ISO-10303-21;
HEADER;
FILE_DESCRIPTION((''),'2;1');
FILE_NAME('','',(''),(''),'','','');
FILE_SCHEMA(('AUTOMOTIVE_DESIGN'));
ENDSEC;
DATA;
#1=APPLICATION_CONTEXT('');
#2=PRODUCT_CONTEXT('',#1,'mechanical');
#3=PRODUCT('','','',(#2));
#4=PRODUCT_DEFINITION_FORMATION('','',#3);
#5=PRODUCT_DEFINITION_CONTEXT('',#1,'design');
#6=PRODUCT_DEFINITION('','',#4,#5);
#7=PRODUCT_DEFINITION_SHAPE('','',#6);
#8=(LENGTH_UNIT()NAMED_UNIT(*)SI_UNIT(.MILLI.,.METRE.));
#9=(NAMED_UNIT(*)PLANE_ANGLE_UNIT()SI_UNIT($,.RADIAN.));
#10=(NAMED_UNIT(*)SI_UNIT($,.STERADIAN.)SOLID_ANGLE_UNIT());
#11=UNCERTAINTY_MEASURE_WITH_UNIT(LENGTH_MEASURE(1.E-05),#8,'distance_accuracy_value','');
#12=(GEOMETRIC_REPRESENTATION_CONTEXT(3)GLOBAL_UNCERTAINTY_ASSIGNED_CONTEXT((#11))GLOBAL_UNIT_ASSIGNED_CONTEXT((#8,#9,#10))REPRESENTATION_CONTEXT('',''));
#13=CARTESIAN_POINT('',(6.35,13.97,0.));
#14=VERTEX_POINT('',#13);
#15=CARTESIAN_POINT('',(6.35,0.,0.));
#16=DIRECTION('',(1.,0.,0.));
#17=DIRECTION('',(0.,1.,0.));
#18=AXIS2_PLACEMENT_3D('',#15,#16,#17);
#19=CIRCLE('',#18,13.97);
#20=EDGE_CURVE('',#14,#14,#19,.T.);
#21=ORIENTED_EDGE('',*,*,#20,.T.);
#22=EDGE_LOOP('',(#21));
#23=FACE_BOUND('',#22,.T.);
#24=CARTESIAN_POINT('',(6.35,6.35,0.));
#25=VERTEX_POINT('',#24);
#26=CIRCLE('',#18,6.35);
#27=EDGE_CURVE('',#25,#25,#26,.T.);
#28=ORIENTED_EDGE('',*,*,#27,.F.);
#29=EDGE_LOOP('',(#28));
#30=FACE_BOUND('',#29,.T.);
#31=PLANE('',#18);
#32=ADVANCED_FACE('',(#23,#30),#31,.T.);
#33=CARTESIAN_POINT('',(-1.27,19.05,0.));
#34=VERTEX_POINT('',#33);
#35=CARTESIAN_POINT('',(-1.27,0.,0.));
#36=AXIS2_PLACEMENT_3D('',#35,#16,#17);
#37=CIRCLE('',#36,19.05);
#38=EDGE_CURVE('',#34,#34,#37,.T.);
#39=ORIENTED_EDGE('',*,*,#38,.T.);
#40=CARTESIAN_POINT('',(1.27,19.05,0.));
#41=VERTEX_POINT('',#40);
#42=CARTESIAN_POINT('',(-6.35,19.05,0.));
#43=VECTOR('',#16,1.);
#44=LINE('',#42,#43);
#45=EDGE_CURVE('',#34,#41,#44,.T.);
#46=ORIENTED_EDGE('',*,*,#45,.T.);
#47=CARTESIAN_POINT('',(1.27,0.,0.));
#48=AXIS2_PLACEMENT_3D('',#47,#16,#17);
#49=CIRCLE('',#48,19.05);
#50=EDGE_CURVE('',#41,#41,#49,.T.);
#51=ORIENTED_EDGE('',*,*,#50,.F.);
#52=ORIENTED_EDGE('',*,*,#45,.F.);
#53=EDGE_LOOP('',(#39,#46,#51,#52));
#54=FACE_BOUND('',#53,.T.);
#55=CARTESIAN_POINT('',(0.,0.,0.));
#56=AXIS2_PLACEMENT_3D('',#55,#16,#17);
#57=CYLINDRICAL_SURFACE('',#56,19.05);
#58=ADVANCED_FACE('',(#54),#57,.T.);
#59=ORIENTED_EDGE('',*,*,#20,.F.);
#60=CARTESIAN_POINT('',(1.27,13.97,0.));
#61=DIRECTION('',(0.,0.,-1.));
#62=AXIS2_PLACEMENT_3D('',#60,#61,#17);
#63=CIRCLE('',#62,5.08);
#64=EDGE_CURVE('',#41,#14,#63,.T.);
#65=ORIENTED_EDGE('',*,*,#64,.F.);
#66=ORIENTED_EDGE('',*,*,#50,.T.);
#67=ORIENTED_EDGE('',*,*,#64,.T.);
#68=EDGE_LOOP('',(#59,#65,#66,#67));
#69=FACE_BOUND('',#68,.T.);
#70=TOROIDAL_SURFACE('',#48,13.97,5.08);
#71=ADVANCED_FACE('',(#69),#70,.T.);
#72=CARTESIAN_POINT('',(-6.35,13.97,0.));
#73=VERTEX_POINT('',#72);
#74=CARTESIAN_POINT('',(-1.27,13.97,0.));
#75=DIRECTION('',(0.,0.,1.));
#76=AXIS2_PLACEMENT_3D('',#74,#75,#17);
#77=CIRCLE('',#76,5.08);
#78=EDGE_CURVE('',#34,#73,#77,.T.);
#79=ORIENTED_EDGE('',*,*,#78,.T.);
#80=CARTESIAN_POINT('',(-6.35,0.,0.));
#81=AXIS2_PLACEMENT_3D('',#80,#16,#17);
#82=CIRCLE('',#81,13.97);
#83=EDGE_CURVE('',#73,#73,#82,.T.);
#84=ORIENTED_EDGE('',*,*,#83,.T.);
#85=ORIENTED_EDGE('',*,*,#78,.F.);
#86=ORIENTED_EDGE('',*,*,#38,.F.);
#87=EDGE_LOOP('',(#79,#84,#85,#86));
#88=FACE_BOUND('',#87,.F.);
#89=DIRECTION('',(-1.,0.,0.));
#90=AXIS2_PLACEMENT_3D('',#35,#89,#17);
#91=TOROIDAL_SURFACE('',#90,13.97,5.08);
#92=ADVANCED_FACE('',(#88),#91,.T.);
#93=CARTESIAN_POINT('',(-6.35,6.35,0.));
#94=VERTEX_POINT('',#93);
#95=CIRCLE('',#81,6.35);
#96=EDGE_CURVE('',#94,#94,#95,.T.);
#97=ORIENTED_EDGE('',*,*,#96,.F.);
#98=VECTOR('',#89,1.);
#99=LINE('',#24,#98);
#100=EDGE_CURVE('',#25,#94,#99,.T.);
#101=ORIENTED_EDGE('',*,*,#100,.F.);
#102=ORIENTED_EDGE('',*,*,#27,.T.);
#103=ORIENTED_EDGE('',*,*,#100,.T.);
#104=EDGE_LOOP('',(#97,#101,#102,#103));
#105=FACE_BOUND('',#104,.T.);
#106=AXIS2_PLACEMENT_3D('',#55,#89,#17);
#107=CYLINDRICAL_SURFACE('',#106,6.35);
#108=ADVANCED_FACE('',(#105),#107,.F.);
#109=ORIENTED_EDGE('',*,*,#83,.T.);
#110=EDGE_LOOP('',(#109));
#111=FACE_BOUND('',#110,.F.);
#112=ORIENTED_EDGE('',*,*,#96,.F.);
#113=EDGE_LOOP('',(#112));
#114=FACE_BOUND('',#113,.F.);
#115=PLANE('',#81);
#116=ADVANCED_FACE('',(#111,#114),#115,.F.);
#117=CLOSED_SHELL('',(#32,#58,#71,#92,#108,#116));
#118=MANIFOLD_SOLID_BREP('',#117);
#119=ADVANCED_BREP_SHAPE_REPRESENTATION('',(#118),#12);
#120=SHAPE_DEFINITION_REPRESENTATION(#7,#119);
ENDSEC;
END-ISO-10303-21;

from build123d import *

# Parameters (mm, degrees)
F0_R     = 19.05
F0_R_2   = 6.35
F1_DEPTH = 6.35
F2_R     = 5.08
F3_R     = 5.08


with BuildPart() as f1:
    # F0 (on Right) → F1 (new body, symmetric)
    with BuildSketch(Plane.YZ):
        Circle(F0_R)
        Circle(F0_R_2, mode=Mode.SUBTRACT)
    extrude(amount=F1_DEPTH, both=True)

    # F2
    f2_edges = [f1.edges().sort_by_distance(p)[0] for p in [
        (6.35, -19.05, 0),
    ]]
    fillet(f2_edges, radius=F2_R)

    # F3
    f3_edges = [f1.edges().sort_by_distance(p)[0] for p in [
        (-2.54, 19.05, 0),
        (1.27, -19.05, 0),
        (-6.35, -19.05, 0),
    ]]
    fillet(f3_edges, radius=F3_R)


solid = f1.part
